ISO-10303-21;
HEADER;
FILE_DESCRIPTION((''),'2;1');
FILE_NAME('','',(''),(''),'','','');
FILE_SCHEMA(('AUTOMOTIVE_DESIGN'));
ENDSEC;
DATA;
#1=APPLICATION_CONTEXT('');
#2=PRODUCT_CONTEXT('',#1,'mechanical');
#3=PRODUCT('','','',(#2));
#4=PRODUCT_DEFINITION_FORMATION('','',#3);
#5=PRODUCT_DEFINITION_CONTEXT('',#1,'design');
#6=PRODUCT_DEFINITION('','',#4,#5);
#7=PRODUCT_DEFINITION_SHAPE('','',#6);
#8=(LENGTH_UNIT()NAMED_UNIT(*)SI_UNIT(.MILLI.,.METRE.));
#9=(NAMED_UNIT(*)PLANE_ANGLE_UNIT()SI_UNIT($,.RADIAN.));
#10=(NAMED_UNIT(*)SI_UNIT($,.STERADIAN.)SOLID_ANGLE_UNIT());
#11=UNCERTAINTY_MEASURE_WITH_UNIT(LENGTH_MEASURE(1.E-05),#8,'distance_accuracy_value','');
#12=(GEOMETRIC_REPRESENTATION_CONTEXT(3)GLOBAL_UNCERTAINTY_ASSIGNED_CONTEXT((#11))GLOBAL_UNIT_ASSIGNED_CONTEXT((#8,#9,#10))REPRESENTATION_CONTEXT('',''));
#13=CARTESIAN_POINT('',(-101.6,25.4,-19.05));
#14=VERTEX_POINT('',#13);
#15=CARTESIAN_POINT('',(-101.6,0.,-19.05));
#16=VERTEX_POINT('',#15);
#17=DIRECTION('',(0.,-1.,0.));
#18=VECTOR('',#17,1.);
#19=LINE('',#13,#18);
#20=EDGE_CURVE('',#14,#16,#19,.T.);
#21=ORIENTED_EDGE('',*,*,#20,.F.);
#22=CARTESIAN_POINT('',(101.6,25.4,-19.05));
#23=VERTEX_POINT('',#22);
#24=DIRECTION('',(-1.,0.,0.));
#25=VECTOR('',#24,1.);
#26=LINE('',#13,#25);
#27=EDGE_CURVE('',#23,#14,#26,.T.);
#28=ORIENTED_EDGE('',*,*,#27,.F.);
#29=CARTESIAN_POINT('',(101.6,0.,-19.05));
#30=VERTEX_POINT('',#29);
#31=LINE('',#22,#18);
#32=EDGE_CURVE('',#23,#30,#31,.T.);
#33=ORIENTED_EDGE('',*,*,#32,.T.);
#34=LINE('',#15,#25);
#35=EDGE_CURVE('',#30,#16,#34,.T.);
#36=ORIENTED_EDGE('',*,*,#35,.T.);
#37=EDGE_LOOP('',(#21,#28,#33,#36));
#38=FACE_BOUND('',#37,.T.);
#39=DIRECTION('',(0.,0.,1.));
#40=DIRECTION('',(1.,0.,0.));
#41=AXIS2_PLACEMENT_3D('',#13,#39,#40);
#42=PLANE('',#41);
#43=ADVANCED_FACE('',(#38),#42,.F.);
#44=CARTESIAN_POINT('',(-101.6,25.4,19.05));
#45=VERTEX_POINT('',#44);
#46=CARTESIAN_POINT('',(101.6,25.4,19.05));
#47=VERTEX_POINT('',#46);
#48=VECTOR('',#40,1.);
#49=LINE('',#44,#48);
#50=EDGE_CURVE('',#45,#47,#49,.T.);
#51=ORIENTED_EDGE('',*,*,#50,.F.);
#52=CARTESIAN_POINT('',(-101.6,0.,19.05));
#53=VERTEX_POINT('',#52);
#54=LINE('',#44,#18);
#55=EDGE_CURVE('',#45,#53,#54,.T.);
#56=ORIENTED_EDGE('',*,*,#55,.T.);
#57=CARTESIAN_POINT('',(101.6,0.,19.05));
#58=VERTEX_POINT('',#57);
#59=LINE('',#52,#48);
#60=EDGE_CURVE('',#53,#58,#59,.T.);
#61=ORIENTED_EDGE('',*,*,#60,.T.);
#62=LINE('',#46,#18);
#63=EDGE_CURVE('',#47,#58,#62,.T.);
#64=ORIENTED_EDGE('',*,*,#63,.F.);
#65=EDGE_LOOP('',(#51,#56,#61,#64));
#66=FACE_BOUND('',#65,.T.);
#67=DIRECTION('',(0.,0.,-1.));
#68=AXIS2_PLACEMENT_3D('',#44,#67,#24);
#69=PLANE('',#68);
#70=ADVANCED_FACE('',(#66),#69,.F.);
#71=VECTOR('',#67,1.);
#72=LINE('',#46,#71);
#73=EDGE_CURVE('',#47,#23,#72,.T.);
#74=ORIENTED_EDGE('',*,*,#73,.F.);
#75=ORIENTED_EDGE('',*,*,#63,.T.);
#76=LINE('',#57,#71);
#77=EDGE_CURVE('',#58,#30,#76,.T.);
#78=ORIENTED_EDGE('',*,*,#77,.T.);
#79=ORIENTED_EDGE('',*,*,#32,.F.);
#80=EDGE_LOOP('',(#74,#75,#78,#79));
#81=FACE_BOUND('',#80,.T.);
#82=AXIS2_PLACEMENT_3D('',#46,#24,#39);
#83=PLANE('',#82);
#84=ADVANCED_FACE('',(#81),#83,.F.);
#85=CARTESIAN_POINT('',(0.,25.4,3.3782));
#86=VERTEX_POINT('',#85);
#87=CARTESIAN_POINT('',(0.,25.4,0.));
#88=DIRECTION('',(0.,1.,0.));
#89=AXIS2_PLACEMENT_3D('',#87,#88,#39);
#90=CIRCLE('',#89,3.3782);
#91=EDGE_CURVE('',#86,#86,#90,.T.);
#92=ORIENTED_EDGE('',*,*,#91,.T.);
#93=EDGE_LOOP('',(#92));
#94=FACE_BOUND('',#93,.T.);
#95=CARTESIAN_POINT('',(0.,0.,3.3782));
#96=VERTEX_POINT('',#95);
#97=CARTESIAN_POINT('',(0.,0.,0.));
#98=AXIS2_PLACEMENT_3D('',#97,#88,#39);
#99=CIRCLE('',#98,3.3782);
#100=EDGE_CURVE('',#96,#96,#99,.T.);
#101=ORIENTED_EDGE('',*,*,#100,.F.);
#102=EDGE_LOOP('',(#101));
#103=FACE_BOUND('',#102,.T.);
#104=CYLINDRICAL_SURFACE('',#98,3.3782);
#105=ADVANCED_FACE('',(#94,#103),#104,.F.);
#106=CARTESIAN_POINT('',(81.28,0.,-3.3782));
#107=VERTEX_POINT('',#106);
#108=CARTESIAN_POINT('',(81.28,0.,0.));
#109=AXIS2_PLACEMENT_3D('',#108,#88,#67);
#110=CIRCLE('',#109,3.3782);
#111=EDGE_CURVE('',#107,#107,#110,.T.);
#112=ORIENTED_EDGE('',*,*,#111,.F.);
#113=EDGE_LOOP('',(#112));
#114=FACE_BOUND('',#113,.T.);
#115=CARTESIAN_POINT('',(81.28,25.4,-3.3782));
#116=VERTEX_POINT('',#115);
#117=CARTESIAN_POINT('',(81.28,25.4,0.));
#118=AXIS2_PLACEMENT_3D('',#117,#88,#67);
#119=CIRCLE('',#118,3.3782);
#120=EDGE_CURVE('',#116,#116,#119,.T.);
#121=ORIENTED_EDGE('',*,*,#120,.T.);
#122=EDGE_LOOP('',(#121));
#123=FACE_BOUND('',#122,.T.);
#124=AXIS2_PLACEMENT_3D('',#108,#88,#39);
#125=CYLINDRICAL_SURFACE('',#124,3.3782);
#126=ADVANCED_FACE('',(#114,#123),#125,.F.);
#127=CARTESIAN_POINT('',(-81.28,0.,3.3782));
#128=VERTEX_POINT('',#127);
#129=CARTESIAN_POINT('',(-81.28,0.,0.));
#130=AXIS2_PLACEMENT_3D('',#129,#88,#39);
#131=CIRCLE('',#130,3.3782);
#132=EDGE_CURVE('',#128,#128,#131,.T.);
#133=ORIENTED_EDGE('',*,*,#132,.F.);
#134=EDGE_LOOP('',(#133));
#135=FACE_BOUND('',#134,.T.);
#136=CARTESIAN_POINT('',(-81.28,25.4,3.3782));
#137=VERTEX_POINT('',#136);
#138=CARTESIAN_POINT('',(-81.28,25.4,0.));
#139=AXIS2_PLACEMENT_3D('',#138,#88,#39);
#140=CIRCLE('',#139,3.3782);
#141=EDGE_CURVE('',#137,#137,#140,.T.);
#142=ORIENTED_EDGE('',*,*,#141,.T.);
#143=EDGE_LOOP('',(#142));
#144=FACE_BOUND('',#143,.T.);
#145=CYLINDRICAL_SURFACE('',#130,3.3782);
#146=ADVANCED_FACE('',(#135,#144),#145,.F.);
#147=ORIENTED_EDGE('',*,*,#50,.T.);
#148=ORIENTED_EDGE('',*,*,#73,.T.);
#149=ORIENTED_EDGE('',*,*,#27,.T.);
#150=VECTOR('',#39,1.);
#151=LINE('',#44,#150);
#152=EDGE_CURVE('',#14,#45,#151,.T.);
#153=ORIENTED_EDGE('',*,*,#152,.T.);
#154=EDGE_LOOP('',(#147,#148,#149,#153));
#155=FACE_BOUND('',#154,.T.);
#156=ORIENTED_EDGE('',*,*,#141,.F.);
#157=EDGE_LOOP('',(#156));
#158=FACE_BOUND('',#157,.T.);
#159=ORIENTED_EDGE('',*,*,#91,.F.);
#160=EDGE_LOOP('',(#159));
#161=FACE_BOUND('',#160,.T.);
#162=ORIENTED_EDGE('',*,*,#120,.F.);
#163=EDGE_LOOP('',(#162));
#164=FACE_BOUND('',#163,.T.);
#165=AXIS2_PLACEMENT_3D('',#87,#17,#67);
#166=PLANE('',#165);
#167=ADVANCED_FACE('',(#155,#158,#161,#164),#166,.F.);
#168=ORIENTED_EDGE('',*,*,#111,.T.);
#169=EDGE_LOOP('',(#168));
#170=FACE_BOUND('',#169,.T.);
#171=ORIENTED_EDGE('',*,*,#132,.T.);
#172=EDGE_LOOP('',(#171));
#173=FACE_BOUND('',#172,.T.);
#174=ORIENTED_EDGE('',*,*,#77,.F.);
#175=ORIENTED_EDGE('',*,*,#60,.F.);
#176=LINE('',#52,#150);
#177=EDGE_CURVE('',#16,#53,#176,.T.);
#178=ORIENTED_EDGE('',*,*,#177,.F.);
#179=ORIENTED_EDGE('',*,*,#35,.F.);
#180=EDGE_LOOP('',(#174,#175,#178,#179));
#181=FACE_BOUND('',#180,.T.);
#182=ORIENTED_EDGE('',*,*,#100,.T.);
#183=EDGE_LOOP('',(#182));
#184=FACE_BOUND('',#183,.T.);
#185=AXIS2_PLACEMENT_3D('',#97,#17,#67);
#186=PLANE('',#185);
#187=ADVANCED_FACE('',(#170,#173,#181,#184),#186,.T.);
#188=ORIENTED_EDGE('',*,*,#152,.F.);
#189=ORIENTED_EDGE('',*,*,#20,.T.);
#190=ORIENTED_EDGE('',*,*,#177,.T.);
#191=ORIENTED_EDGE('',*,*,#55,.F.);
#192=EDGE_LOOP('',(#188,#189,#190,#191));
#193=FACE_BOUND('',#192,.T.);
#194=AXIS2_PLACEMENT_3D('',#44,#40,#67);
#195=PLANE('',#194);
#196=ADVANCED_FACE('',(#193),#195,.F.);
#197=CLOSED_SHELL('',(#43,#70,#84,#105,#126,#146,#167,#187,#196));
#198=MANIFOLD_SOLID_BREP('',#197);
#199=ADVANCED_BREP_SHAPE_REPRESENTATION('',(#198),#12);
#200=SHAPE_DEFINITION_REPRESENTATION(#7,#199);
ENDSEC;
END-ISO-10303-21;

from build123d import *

# Parameters (mm, degrees)
SKETCH1_W           = 203.2
SKETCH1_H           = 38.1
BOSS_EXTRUDE1_DEPTH = 25.4
SKETCH2_R           = 3.3782
CUT_EXTRUDE1_DEPTH  = 26.4


with BuildPart() as part:
    # Sketch1 → Boss-Extrude1 (new body)
    with BuildSketch(Plane(origin=(0, 0, 0), x_dir=(1, 0, 0), z_dir=(0, 1, 0))):
        Rectangle(SKETCH1_W, SKETCH1_H)
    extrude(amount=BOSS_EXTRUDE1_DEPTH)

    # Sketch2 → Cut-Extrude1 (cut, through all)
    with BuildSketch(Plane(origin=(0, 25.4, 0), x_dir=(1, 0, 0), z_dir=(0, 1, 0))):
        Circle(SKETCH2_R)
        with Locations((-81.28, 0)):
            Circle(SKETCH2_R)
        with Locations((81.28, 0)):
            Circle(SKETCH2_R)
    extrude(amount=-CUT_EXTRUDE1_DEPTH, mode=Mode.SUBTRACT)


solid = part.part
